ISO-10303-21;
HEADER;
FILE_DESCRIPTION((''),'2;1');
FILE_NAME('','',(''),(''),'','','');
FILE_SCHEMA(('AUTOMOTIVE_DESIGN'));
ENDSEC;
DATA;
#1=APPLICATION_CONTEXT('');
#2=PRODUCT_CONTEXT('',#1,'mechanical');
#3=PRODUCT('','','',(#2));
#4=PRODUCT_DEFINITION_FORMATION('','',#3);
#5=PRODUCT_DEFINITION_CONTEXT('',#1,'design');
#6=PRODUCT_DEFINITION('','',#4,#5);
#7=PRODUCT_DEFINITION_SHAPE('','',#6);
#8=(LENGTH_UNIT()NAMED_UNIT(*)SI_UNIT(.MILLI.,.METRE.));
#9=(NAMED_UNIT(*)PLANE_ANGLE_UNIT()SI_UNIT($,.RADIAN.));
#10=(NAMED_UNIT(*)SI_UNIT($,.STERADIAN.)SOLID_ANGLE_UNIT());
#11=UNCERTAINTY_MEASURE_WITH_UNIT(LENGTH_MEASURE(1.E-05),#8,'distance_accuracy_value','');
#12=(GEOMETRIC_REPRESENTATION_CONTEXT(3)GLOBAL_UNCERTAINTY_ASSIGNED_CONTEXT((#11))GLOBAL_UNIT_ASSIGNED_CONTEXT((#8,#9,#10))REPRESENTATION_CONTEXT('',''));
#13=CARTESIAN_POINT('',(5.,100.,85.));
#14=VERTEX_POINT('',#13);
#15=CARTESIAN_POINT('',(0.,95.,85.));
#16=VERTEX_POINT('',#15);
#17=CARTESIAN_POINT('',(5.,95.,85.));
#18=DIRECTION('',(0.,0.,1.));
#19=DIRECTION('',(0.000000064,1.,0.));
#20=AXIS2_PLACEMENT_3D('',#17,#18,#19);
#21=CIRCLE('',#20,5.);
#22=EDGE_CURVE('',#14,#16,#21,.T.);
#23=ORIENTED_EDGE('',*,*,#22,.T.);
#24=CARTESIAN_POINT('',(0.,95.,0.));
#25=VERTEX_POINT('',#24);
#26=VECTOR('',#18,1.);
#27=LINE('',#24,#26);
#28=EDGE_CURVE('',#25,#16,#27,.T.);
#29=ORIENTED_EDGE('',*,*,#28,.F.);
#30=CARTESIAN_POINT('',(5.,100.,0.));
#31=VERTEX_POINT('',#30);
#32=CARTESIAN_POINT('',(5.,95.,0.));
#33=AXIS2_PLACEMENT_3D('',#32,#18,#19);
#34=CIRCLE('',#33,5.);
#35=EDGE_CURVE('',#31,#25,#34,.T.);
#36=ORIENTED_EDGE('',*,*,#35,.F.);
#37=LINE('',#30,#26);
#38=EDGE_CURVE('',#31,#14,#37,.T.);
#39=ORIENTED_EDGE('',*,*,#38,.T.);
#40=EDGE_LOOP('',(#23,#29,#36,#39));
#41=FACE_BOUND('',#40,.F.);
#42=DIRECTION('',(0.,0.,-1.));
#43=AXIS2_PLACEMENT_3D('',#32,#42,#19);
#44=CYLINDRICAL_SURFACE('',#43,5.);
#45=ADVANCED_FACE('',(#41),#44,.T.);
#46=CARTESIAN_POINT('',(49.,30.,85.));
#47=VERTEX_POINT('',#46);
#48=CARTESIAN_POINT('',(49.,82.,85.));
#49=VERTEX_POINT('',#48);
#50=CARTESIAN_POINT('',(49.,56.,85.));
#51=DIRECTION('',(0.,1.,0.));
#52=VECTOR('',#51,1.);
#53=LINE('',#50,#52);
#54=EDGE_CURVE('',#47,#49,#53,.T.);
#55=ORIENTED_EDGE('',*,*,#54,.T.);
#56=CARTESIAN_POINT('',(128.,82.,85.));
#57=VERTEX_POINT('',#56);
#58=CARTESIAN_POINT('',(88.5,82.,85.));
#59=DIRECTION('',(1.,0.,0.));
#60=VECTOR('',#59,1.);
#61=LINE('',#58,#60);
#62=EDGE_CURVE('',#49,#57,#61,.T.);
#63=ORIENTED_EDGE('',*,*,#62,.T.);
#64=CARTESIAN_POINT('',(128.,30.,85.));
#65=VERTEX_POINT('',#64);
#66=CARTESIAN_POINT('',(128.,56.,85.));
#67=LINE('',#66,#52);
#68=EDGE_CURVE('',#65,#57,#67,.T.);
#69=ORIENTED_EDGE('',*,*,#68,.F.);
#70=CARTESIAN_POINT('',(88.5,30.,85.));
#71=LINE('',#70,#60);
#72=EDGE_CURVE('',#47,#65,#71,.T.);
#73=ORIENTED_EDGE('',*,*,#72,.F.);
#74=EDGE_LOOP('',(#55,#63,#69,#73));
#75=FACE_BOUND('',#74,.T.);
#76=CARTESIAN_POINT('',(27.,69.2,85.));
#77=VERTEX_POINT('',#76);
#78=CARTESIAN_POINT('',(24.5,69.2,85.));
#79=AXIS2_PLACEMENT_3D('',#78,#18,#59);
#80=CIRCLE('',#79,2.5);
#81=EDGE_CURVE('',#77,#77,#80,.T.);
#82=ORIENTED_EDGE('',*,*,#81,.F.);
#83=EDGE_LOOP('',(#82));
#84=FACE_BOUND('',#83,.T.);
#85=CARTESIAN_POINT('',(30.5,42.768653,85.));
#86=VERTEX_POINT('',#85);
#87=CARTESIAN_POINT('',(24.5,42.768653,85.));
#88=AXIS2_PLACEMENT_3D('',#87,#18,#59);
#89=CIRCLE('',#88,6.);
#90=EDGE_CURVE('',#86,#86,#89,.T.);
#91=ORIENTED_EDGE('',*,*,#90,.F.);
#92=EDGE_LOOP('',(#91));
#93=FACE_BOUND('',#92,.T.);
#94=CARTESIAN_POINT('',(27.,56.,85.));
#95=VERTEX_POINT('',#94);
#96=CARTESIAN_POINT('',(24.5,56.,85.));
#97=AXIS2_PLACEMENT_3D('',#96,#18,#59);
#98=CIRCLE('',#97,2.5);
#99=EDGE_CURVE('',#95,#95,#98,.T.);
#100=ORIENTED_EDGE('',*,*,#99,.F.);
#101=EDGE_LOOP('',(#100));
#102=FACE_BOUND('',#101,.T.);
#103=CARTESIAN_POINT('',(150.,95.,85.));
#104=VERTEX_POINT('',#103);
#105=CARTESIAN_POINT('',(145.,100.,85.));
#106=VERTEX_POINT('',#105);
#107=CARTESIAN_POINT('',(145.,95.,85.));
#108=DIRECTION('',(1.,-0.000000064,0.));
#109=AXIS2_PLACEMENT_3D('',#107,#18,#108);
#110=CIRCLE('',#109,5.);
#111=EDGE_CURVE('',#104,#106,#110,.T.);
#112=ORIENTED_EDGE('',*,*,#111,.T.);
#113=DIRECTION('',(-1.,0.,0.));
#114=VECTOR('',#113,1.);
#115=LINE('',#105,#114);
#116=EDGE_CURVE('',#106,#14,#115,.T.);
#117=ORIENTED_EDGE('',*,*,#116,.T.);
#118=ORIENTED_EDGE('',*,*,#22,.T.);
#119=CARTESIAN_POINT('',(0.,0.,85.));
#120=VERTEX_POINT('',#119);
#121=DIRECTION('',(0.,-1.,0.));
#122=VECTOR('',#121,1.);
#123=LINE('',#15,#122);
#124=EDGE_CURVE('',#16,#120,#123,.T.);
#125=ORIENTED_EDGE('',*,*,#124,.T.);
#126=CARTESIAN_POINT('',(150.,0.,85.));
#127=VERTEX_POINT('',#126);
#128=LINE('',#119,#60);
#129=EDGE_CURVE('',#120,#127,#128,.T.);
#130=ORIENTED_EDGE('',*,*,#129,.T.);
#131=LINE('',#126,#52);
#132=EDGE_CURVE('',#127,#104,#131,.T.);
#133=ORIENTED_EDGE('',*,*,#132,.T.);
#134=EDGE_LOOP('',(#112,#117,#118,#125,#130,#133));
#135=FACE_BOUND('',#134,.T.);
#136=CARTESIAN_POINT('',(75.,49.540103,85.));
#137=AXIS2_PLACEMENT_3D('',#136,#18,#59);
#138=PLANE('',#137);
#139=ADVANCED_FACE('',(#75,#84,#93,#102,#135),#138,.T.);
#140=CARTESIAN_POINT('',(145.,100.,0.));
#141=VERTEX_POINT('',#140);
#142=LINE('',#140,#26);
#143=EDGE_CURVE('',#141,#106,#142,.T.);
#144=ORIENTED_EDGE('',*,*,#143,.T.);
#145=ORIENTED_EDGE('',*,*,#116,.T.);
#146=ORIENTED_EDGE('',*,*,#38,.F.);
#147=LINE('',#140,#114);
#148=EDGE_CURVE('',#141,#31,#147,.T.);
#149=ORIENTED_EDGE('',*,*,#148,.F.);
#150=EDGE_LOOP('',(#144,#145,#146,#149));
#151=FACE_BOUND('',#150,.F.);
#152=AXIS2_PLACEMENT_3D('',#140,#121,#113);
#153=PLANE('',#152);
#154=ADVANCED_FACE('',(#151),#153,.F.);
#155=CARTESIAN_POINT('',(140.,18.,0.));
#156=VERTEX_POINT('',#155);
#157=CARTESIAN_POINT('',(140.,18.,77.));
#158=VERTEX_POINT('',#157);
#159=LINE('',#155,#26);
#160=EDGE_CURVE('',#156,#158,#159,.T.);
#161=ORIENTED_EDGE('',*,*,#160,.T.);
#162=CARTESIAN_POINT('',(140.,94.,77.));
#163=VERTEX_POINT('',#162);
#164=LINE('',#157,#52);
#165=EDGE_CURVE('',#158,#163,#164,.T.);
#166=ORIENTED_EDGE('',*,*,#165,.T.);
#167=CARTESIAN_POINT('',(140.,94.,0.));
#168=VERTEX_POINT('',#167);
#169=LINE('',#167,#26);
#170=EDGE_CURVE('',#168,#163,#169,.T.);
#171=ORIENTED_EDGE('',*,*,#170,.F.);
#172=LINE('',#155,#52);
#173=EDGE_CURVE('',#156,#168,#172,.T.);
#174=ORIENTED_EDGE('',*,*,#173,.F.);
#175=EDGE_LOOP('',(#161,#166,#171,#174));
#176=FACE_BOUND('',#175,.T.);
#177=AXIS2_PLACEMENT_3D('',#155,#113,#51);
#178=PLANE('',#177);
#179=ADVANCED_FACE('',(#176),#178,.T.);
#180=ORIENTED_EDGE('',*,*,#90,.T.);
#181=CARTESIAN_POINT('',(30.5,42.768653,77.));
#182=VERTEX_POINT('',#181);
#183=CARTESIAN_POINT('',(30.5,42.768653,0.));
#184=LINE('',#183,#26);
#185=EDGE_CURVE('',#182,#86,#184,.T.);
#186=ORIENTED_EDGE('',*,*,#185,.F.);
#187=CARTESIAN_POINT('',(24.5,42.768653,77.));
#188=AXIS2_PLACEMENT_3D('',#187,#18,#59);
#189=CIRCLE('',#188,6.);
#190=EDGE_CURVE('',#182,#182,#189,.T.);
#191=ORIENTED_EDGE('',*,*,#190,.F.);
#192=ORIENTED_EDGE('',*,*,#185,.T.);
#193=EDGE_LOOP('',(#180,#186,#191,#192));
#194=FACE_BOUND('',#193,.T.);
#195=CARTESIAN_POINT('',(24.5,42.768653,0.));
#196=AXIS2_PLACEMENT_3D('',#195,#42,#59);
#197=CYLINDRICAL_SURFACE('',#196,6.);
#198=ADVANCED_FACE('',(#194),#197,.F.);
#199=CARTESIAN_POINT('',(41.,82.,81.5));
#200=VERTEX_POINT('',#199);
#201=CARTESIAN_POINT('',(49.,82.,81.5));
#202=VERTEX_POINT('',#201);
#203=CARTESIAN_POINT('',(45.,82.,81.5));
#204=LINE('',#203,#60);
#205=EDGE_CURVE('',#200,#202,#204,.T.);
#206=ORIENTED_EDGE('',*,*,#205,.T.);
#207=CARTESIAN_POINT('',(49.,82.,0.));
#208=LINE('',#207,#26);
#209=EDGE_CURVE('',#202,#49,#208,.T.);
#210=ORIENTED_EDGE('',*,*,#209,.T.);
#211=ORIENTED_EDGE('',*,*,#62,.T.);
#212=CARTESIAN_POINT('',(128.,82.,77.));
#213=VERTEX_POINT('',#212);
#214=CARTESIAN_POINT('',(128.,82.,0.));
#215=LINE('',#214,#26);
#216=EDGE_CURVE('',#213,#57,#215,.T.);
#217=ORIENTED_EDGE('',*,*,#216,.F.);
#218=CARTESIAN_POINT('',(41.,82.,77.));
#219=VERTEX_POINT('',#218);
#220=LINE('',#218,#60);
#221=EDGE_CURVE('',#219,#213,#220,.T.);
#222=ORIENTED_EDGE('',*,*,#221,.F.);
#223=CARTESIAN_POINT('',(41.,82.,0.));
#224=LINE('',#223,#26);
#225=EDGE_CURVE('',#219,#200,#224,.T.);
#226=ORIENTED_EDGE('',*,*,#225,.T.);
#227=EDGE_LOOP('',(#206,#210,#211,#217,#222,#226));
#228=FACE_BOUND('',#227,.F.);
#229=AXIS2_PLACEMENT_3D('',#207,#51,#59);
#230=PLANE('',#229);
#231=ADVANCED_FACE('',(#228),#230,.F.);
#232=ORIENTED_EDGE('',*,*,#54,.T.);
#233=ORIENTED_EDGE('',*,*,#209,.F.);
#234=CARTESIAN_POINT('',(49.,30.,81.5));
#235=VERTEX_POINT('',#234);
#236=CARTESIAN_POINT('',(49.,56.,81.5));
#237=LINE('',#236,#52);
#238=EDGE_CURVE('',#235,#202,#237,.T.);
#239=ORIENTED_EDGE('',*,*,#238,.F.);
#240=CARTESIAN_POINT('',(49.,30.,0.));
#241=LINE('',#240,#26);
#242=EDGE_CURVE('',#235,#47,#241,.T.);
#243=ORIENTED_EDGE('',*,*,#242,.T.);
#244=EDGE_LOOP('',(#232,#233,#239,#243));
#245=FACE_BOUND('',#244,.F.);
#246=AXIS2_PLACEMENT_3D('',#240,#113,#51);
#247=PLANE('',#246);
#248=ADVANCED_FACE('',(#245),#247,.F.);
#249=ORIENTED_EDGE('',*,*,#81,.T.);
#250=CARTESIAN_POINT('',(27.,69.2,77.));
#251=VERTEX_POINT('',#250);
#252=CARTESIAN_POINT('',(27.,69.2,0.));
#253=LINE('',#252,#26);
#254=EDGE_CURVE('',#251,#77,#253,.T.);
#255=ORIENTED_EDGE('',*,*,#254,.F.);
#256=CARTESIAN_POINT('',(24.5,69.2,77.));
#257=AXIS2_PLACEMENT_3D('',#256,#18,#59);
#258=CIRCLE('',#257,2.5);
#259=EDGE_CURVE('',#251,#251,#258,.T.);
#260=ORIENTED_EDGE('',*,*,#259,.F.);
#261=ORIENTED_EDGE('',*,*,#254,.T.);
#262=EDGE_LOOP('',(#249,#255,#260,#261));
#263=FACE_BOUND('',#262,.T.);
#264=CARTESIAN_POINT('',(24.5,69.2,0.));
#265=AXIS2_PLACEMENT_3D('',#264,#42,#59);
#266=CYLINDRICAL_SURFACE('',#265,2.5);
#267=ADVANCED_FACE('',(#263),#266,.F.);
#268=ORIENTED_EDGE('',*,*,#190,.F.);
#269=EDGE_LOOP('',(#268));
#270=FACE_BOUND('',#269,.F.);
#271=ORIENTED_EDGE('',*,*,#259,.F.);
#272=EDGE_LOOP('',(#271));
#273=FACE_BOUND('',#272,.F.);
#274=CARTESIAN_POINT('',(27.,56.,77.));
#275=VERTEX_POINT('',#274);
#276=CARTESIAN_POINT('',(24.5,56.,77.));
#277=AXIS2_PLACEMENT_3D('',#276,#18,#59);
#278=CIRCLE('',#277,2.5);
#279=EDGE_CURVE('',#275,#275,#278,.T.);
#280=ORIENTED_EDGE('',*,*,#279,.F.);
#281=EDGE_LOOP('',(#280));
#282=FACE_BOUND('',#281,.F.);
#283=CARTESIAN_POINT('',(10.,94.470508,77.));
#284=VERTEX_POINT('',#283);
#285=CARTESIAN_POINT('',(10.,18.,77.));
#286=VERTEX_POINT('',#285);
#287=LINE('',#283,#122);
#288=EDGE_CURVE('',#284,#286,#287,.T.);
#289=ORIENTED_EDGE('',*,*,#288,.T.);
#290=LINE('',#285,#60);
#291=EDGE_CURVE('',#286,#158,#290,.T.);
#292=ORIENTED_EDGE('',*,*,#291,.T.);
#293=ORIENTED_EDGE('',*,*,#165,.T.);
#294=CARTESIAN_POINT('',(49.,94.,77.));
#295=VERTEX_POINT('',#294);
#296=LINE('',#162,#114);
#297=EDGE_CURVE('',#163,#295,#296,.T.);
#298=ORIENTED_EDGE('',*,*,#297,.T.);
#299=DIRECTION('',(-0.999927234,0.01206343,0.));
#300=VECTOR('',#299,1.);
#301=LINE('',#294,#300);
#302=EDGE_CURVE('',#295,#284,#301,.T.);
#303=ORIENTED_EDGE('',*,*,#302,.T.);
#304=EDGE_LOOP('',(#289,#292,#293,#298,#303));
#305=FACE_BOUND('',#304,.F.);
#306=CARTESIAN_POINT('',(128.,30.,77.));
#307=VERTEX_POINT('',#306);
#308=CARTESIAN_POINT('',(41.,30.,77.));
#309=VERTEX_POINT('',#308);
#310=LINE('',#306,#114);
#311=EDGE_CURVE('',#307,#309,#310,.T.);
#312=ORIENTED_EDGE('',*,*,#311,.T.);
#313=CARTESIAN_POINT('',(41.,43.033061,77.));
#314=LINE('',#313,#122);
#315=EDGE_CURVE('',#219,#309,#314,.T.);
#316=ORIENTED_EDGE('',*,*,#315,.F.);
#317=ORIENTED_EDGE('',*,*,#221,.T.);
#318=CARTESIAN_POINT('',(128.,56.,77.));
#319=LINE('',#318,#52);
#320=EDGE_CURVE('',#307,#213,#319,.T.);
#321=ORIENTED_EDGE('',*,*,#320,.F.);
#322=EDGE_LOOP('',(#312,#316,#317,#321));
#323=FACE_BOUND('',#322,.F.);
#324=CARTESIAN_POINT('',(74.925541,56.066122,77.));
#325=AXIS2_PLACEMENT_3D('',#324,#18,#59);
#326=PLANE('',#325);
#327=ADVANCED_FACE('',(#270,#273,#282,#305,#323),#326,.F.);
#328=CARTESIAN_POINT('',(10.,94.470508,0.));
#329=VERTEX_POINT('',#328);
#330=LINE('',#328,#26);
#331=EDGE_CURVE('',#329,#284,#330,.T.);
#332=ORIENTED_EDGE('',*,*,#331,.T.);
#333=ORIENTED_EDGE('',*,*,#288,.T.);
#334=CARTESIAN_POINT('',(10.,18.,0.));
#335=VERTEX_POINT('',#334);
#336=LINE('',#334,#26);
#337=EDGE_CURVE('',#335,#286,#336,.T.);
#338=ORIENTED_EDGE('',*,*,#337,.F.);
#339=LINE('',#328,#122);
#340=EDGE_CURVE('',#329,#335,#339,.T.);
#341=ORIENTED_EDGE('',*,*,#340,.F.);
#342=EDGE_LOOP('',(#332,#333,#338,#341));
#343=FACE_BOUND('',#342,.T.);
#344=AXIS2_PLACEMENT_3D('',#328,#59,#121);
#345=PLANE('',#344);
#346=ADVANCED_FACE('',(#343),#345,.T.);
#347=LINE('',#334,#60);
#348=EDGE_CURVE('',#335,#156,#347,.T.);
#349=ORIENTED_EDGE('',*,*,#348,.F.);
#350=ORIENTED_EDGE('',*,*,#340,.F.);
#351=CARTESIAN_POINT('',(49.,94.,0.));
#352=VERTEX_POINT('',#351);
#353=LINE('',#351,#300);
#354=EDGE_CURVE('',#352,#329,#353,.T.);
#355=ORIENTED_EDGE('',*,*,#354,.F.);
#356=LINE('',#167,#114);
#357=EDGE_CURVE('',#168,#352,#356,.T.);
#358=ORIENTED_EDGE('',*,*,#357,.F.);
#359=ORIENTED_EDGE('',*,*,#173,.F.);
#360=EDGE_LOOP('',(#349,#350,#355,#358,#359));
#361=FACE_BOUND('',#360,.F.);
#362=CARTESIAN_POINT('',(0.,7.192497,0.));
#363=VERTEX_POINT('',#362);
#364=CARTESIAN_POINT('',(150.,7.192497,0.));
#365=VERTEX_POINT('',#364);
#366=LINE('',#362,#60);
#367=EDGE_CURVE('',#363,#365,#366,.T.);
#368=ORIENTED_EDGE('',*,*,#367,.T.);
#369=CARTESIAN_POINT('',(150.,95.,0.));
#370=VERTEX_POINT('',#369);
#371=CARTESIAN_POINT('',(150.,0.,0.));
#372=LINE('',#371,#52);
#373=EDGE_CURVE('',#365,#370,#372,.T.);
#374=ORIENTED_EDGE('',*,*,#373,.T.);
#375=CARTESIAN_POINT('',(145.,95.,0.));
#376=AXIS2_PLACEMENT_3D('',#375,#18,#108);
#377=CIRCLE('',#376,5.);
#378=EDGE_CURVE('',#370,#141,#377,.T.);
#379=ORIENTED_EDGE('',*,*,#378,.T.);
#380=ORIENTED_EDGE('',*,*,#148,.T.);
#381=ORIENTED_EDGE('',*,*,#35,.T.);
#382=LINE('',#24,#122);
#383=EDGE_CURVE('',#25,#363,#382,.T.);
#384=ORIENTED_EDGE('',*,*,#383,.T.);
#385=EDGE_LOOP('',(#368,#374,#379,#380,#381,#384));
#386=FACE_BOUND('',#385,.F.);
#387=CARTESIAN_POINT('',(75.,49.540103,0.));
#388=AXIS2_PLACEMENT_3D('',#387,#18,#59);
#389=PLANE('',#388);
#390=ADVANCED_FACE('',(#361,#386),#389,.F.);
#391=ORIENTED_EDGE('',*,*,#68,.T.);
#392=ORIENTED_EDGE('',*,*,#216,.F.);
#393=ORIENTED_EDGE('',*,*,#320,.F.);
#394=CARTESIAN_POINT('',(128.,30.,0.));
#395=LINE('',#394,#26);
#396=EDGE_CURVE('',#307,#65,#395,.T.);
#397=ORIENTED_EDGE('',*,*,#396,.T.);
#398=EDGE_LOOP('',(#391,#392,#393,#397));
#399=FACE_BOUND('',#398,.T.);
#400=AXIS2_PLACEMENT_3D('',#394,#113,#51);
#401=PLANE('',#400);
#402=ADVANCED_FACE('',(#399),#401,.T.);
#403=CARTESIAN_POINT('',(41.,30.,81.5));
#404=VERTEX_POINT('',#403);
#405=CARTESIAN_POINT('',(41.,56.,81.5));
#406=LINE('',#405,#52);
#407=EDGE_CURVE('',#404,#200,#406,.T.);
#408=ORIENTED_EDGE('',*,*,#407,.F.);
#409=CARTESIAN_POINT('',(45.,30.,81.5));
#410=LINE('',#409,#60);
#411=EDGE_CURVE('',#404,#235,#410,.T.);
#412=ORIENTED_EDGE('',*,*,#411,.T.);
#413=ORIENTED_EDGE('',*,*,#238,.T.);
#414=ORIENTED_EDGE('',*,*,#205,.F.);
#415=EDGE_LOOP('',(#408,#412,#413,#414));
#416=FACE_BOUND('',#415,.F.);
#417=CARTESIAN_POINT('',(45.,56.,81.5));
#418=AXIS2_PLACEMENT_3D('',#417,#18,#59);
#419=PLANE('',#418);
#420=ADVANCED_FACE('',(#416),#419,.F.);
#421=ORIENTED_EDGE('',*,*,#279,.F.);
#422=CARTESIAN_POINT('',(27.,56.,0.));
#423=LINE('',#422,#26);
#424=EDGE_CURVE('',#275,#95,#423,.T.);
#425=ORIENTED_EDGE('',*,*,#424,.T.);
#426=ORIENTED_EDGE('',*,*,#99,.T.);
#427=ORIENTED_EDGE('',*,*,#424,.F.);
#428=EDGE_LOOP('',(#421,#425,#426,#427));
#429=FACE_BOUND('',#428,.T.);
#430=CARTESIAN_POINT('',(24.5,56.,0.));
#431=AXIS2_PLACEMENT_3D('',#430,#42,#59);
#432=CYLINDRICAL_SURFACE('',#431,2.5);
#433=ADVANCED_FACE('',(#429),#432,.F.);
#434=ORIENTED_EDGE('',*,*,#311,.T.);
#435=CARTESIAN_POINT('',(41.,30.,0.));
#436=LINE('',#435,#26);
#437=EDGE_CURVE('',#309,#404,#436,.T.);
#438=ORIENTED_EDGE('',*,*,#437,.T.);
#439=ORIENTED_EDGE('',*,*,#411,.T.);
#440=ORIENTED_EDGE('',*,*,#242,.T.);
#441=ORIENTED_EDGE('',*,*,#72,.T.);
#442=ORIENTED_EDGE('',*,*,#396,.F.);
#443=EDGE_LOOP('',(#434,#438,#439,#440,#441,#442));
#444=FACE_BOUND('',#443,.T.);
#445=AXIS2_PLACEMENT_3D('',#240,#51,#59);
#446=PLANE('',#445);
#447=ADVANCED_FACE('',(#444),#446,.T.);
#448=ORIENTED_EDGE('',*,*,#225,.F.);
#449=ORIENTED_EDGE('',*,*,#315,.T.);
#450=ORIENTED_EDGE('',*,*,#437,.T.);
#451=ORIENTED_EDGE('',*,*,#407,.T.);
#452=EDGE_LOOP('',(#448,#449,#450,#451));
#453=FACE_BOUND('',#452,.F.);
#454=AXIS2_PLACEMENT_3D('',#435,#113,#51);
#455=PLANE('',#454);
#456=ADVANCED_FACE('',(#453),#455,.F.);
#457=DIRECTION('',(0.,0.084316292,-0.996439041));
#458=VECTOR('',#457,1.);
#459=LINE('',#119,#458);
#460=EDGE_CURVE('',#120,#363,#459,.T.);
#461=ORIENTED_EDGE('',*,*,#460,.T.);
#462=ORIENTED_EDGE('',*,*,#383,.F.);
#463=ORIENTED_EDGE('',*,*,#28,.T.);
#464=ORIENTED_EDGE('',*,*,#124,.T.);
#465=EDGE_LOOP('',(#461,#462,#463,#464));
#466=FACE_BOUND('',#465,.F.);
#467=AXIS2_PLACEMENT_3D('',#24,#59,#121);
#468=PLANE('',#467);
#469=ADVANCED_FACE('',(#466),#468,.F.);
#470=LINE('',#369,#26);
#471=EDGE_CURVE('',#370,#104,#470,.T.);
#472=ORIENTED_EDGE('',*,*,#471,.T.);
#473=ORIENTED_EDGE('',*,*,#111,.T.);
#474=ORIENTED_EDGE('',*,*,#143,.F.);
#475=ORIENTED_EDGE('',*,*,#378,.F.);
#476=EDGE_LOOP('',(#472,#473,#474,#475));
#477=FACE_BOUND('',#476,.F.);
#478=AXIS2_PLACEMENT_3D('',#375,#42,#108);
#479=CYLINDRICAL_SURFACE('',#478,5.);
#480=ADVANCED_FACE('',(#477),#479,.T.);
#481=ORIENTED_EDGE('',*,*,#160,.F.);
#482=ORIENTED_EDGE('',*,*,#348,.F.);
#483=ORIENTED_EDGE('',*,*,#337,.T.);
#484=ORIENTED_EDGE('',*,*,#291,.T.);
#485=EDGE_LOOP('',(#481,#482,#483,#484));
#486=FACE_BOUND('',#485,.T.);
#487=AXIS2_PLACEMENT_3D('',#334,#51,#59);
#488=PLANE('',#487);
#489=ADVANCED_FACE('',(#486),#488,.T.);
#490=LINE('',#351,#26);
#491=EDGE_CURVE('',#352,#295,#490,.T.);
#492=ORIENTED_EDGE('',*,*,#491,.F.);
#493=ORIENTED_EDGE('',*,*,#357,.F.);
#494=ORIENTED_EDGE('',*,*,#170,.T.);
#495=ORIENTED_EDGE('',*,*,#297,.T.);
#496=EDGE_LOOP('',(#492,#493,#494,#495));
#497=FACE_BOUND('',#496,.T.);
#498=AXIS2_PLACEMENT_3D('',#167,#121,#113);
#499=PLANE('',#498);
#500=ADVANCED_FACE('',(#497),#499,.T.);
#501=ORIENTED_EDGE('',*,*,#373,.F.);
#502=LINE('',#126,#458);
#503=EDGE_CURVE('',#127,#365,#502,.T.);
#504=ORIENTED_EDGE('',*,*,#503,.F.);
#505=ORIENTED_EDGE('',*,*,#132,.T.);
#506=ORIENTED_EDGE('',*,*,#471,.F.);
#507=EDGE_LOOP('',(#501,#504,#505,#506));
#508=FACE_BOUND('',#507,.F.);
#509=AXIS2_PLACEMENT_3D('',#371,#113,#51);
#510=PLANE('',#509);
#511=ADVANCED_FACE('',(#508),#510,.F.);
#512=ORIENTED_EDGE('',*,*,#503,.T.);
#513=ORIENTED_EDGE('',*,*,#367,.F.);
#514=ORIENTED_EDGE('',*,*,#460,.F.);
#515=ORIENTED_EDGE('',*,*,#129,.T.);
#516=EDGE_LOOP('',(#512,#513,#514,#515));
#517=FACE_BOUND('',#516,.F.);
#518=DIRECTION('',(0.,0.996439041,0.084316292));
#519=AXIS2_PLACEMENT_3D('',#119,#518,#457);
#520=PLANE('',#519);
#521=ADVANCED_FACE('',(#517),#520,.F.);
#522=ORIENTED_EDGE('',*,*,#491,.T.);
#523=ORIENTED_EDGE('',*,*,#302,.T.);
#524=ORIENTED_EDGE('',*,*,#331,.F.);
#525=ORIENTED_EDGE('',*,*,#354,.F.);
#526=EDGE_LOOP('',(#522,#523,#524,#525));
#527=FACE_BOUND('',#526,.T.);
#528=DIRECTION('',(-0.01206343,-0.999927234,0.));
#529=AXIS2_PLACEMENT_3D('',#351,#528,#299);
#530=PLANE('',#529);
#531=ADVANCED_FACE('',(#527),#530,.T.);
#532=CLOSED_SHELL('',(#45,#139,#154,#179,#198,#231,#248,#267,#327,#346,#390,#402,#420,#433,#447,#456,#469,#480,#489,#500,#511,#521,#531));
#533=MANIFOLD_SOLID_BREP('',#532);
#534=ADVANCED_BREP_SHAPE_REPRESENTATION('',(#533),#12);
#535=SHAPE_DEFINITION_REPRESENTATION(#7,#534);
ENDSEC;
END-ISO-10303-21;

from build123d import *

# Parameters (mm, degrees)
F0_R     = 6
F0_R_2   = 2.5
F0_W     = 79
F0_H     = 52
F1_DEPTH = 85
F2_DEPTH = 77
F3_W     = 8
F3_H     = 52
F4_DEPTH = 81.5
F6_DEPTH = 150


with BuildPart() as f1:
    # F0 (on Top) → F1 (new body)
    with BuildSketch(Plane.XY):
        with BuildLine():
            Line((0, 95), (0, 0))
            Line((0, 0), (150, 0))
            Line((150, 0), (150, 95))
            ThreePointArc((150, 95), (148.535534, 98.535534), (145, 100))
            Line((145, 100), (5, 100))
            ThreePointArc((5, 100), (1.464466, 98.535534), (0, 95))
        make_face()
        Polygon((140, 94), (140, 18), (49, 18), (10, 18), (10, 94.470508), (49, 94), align=None, mode=Mode.SUBTRACT)
        Polygon((49, 18), (140, 18), (140, 94), (49, 94), (10, 94.470508), (10, 18), align=None)
        with Locations((24.5, 42.768653)):
            Circle(F0_R, mode=Mode.SUBTRACT)
        with Locations((24.5, 56)):
            Circle(F0_R_2, mode=Mode.SUBTRACT)
        with Locations((24.5, 69.2)):
            Circle(F0_R_2, mode=Mode.SUBTRACT)
        with Locations((88.5, 56)):
            Rectangle(F0_W, F0_H, mode=Mode.SUBTRACT)
    extrude(amount=F1_DEPTH)

    # F0 (on Top) → F2 (cut)
    with BuildSketch(Plane.XY):
        Polygon((49, 18), (140, 18), (140, 94), (49, 94), (10, 94.470508), (10, 18), align=None)
        with Locations((24.5, 42.768653)):
            Circle(F0_R, mode=Mode.SUBTRACT)
        with Locations((24.5, 56)):
            Circle(F0_R_2, mode=Mode.SUBTRACT)
        with Locations((24.5, 69.2)):
            Circle(F0_R_2, mode=Mode.SUBTRACT)
        with Locations((88.5, 56)):
            Rectangle(F0_W, F0_H, mode=Mode.SUBTRACT)
    extrude(amount=F2_DEPTH, mode=Mode.SUBTRACT)

    # F3 (on face) → F4 (cut)
    with BuildSketch(Plane.XY):
        with Locations((45, 56)):
            Rectangle(F3_W, F3_H)
    extrude(amount=F4_DEPTH, mode=Mode.SUBTRACT)

    # F5 (on face) → F6 (cut, through all)
    with BuildSketch(Plane(origin=(0, 0, 0), x_dir=(0, -1, 0), z_dir=(-1, 0, 0))):
        Polygon((0, 0), (0, 85), (-7.192497, 0), align=None)
    extrude(amount=-F6_DEPTH, mode=Mode.SUBTRACT)


solid = f1.part
